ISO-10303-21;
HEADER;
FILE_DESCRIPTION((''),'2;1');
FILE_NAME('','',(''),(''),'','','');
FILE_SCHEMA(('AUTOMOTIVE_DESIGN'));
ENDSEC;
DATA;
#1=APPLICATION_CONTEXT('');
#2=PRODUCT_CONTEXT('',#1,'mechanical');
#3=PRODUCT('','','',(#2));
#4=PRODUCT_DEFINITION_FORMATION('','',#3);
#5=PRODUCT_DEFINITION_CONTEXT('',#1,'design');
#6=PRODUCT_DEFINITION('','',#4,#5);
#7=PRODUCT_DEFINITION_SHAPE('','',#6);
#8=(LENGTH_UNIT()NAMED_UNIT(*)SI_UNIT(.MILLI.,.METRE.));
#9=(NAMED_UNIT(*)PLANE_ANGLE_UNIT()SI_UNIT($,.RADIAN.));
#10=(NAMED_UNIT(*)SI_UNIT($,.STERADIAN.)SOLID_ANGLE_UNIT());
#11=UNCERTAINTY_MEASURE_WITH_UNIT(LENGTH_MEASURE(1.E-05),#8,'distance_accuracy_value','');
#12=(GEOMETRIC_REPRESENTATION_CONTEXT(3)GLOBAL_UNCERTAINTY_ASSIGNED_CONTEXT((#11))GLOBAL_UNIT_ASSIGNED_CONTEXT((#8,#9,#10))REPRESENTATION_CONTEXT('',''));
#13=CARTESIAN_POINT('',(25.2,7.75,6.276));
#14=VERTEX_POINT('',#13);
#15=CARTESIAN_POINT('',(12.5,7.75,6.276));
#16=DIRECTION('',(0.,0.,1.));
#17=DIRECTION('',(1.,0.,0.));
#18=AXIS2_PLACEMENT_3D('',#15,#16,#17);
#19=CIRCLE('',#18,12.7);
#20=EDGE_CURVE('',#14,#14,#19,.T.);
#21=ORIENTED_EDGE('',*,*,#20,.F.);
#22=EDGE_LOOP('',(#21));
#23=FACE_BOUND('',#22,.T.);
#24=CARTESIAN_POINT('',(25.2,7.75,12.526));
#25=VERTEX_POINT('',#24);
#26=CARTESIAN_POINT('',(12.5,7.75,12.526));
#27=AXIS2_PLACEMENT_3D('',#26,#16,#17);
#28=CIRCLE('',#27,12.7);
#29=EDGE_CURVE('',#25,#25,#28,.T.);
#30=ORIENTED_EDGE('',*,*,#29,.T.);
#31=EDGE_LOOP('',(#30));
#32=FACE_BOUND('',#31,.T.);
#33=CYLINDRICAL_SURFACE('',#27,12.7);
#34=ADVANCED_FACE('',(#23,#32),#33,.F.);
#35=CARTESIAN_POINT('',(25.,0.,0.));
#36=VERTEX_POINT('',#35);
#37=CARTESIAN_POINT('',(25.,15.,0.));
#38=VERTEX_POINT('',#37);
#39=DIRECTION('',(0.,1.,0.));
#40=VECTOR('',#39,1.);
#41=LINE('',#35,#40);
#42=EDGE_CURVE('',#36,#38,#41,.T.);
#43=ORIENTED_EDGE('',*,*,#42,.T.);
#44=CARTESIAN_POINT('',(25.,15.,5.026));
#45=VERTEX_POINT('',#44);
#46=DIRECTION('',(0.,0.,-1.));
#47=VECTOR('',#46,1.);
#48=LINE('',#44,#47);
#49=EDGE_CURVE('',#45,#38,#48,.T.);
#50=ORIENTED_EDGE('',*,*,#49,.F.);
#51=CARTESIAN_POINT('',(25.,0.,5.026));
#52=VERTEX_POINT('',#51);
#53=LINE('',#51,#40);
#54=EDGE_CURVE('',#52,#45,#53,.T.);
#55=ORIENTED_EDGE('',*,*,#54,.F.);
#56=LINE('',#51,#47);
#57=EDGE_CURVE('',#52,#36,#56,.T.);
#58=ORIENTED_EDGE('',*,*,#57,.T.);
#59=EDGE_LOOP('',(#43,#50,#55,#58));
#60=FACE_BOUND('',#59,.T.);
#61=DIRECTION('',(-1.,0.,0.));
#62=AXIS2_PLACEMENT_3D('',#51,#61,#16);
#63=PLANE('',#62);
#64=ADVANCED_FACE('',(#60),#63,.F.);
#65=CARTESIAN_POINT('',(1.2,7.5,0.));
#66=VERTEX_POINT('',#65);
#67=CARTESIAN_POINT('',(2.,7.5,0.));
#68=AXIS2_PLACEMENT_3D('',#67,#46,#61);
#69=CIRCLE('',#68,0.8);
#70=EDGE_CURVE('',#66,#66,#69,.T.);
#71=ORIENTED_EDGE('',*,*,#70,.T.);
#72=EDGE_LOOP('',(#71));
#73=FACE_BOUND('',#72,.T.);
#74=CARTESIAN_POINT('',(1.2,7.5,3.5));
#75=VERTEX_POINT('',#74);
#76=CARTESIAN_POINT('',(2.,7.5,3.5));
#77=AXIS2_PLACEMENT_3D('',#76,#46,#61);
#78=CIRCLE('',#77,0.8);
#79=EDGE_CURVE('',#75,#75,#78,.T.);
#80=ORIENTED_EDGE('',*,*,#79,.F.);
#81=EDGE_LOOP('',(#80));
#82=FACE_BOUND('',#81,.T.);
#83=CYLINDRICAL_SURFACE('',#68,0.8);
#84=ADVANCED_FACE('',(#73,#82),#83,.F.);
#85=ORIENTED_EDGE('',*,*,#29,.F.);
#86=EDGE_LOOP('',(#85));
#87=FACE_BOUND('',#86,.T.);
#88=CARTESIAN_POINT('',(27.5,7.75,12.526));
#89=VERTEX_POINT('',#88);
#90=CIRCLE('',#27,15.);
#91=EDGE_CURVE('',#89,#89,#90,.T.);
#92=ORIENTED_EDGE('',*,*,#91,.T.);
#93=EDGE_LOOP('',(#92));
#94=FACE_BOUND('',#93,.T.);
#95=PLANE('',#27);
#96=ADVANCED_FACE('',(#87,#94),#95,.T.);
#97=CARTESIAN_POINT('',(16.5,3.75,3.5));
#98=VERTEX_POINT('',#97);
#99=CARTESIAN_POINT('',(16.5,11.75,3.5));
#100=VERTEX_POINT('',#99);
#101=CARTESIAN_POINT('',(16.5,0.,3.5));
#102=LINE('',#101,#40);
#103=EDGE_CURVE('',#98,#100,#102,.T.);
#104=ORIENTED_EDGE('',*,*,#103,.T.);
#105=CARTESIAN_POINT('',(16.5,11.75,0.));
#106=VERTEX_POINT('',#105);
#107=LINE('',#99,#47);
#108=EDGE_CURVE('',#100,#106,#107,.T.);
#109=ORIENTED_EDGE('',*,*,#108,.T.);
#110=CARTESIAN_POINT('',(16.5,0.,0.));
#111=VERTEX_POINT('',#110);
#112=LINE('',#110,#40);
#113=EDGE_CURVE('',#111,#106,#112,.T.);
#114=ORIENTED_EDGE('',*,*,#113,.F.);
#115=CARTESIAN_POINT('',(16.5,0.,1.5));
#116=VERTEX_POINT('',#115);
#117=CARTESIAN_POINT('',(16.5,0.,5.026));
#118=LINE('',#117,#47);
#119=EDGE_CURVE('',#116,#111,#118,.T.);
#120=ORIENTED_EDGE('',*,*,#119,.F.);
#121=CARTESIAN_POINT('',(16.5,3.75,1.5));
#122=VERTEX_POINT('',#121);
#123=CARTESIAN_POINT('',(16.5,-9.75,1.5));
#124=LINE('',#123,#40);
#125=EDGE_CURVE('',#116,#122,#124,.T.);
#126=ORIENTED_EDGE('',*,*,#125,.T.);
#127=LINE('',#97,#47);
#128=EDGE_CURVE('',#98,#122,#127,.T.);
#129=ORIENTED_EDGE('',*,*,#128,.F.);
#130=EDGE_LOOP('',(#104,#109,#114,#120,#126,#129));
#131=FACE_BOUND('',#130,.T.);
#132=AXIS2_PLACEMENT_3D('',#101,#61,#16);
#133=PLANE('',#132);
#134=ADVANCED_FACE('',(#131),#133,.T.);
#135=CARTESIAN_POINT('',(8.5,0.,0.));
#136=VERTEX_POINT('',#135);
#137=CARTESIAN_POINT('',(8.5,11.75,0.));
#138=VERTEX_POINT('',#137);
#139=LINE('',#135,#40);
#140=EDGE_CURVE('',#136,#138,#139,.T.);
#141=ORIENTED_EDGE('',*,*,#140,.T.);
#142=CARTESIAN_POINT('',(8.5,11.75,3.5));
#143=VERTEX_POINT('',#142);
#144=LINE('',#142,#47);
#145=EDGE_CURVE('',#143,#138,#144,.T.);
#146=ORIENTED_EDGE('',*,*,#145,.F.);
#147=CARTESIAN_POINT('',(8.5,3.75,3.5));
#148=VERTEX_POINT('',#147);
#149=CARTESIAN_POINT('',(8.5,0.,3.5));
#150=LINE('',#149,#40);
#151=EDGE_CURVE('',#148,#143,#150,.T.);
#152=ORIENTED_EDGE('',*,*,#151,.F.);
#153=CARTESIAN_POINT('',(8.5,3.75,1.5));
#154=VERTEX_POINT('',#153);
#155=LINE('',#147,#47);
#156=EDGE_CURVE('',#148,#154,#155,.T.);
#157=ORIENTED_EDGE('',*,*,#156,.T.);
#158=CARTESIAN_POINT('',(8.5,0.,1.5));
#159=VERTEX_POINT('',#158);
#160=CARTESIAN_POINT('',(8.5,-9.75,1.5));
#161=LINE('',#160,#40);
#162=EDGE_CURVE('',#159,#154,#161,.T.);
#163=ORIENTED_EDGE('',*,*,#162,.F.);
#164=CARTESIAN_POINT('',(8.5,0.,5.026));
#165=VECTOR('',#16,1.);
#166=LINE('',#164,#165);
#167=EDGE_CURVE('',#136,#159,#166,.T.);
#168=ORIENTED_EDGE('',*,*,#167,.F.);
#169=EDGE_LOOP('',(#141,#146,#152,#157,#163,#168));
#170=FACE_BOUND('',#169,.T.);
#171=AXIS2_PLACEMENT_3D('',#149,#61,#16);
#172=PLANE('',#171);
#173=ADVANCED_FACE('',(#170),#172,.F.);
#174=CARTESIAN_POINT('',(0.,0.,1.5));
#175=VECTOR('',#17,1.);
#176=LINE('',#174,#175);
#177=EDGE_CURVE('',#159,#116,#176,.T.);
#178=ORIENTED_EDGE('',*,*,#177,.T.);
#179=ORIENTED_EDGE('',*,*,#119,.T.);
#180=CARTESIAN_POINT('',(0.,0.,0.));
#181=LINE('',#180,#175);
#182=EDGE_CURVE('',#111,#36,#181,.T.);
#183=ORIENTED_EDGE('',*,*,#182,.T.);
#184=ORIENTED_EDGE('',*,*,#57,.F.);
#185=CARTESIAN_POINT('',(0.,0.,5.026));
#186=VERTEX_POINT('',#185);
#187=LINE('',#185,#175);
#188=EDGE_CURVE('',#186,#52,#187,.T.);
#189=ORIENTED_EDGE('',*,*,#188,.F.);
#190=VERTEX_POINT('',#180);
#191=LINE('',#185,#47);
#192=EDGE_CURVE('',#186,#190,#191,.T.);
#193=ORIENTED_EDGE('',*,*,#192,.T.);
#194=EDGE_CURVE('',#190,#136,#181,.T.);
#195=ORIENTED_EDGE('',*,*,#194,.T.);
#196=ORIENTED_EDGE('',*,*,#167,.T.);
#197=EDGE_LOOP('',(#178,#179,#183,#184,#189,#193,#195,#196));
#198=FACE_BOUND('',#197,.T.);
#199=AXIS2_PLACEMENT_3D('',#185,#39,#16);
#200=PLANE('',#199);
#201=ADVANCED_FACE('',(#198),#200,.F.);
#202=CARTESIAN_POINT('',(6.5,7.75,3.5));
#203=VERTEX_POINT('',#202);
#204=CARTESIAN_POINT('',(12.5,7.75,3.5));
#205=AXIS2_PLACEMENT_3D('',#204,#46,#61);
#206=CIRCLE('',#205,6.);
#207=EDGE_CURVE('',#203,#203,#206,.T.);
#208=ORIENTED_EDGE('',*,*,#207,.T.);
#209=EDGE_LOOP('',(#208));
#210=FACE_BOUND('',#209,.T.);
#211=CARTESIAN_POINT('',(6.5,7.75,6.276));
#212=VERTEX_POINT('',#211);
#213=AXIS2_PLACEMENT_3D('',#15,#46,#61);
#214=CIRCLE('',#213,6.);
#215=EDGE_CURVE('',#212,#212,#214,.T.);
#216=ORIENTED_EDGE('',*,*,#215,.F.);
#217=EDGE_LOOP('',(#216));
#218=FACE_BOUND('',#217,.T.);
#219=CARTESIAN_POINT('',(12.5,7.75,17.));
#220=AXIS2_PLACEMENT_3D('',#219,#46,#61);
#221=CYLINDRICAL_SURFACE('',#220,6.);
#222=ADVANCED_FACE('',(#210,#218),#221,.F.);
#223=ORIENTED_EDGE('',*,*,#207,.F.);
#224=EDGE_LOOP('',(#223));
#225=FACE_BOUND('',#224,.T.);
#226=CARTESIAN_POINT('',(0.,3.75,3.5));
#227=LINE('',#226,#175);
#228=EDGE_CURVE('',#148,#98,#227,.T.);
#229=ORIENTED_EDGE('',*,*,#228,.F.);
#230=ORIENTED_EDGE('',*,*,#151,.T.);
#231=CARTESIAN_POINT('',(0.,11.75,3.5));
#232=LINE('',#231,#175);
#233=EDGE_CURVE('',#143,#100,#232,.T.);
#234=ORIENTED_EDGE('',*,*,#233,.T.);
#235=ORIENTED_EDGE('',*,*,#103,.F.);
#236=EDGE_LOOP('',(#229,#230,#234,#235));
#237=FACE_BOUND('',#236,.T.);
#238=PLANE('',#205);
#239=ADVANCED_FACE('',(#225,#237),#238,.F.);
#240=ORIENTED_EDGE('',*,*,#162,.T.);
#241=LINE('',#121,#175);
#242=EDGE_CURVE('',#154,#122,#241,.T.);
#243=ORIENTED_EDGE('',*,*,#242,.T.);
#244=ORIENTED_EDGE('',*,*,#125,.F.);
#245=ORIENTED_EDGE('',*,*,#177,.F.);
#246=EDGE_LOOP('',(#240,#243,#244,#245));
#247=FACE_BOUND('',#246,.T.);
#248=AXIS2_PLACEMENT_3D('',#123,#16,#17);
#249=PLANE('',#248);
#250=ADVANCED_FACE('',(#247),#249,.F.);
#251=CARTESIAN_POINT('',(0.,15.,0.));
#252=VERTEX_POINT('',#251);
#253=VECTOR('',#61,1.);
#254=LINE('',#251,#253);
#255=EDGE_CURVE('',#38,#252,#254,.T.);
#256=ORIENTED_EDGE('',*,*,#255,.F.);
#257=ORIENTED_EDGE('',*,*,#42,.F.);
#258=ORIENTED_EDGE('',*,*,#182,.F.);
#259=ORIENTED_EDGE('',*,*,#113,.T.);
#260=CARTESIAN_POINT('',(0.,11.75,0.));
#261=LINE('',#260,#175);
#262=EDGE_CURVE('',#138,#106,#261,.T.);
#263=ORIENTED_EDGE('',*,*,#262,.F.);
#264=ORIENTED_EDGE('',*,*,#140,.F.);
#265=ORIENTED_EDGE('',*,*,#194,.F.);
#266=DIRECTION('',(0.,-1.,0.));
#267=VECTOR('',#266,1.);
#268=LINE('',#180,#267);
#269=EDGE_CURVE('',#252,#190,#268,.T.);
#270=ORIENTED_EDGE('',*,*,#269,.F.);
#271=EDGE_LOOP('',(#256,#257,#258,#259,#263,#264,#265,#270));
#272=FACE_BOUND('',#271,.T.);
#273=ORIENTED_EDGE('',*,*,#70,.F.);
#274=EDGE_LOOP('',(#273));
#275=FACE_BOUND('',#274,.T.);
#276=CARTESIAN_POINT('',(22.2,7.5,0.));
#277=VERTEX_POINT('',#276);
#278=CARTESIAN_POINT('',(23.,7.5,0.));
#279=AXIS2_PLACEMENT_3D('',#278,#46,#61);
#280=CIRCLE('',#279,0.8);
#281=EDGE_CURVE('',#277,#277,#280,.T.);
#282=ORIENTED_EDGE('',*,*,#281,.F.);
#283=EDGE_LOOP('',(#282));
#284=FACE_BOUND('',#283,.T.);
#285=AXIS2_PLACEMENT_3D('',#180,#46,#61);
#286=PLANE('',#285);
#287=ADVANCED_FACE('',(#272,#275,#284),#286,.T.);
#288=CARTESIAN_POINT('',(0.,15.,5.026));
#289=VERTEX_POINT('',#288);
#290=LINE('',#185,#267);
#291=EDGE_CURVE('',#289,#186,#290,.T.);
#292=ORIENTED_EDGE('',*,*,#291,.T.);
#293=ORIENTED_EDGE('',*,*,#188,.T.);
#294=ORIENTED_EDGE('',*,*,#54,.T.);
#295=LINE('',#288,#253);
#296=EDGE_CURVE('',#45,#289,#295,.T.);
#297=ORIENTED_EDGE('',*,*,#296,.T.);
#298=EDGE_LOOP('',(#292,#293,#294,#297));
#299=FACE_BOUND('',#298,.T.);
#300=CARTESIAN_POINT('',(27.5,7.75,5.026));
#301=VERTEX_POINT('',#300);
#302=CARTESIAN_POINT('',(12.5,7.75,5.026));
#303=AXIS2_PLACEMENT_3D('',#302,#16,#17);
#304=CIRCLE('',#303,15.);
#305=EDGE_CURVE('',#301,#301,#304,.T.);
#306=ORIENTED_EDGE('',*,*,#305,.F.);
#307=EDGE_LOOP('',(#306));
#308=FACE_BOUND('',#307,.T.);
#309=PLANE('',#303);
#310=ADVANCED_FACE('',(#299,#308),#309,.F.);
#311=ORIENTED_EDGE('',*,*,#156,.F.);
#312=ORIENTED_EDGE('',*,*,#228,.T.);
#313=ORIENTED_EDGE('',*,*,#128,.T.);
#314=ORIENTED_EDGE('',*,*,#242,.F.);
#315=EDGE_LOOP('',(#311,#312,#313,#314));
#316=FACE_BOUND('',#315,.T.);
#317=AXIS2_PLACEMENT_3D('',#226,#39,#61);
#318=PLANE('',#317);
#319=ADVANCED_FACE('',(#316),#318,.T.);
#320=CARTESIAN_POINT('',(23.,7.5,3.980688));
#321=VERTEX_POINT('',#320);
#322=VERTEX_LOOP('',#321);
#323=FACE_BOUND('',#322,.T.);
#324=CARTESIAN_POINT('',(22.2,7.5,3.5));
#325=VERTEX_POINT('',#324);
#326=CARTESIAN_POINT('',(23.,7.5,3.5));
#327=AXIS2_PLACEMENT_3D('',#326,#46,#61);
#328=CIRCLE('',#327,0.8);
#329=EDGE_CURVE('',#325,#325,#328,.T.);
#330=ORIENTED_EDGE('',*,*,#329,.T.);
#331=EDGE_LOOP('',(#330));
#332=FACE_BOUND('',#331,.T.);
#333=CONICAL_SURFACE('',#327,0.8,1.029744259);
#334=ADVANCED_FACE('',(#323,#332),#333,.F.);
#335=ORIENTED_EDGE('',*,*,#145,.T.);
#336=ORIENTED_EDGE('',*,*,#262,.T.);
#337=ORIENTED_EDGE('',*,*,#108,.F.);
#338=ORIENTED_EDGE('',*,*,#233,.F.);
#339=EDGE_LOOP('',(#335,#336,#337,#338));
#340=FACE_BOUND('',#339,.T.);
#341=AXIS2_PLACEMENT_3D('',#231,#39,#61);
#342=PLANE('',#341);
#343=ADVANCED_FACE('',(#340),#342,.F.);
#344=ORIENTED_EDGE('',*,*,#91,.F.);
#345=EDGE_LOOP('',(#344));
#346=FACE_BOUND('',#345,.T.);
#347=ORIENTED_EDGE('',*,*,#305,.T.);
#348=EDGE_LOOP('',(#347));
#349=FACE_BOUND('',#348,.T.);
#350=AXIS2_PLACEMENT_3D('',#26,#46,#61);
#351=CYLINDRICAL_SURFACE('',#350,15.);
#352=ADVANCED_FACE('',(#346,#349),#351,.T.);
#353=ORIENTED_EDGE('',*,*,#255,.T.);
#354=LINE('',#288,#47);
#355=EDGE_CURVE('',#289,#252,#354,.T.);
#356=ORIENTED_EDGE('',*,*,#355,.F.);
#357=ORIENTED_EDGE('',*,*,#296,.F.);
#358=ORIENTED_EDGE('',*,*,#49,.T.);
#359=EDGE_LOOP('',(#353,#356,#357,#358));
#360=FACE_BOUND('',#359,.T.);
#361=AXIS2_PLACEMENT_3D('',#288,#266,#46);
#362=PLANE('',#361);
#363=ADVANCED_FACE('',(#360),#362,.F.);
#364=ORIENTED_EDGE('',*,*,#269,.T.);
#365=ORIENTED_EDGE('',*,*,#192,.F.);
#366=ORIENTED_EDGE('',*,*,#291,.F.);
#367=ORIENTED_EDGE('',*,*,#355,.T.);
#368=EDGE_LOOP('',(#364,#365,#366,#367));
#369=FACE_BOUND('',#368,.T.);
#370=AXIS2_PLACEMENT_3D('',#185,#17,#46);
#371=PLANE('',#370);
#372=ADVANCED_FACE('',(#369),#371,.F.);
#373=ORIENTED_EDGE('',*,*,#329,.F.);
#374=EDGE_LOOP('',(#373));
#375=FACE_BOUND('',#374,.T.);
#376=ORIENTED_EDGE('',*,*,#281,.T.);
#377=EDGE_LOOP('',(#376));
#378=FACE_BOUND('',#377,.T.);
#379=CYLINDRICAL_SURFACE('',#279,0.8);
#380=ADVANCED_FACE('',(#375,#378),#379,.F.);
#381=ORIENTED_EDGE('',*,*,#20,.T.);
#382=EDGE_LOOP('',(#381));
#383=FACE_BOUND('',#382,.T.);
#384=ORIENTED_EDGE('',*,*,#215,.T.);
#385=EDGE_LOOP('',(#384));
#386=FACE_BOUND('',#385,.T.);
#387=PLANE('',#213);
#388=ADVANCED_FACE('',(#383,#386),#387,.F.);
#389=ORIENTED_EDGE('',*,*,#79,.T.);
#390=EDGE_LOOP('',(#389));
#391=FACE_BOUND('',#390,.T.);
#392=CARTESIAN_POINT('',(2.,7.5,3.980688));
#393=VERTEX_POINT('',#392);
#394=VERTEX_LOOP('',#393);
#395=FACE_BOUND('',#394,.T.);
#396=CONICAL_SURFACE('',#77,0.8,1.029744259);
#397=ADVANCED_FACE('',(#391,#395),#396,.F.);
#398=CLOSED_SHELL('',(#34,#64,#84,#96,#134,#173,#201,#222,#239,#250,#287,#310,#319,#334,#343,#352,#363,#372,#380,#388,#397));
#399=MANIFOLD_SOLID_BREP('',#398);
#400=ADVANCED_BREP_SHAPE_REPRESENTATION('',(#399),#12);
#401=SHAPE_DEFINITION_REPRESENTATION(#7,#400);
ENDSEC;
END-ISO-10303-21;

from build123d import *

# Parameters (mm, degrees)
SKETCH1_W                     = 25
SKETCH1_H                     = 15
BOSS_EXTRUDE1_DEPTH           = 5.026
M2_TAPPED_HOLE1_D             = 1.6
M2_TAPPED_HOLE1_DEPTH         = 3.5
M2_TAPPED_HOLE1_TIP           = 0.480688495
SKETCH5_R                     = 15
BOSS_EXTRUDE2_DEPTH           = 7.5
SKETCH6_R                     = 12.25
CUT_EXTRUDE1_DEPTH            = 5.25
F_1_1_8_12_TAPPED_HOLE2_D     = 25.4
F_1_1_8_12_TAPPED_HOLE2_DEPTH = 6.25
CUT_EXTRUDE2_DEPTH            = 3.5
SKETCH14_W                    = 8
SKETCH14_H                    = 1.5
CUT_EXTRUDE3_DEPTH            = 13.5
SKETCH15_R                    = 6
CUT_EXTRUDE4_DEPTH            = 13.5


with BuildPart() as part:
    # Sketch1 → Boss-Extrude1 (new body)
    with BuildSketch(Plane.XY):
        with Locations((12.5, 7.5)):
            Rectangle(SKETCH1_W, SKETCH1_H)
    extrude(amount=BOSS_EXTRUDE1_DEPTH)

    # M2 Tapped Hole1
    with Locations(Plane(origin=(0, 0, 0), x_dir=(-1, 0, 0), z_dir=(0, 0, -1))):
        with Locations((-23, 7.5), (-2, 7.5)):
            Hole(M2_TAPPED_HOLE1_D / 2, depth=M2_TAPPED_HOLE1_DEPTH)
            with Locations((0, 0, -(M2_TAPPED_HOLE1_DEPTH + M2_TAPPED_HOLE1_TIP / 2))):  # 118° drill point
                Cone(0, M2_TAPPED_HOLE1_D / 2, M2_TAPPED_HOLE1_TIP, mode=Mode.SUBTRACT)

    # Sketch5 → Boss-Extrude2 (add)
    with BuildSketch(Plane.XY.offset(5.026)):
        with Locations((12.5, 7.75)):
            Circle(SKETCH5_R)
    extrude(amount=BOSS_EXTRUDE2_DEPTH)

    # Sketch6 → Cut-Extrude1 (cut)
    with BuildSketch(Plane.XY.offset(12.526)):
        with Locations((12.5, 7.75)):
            Circle(SKETCH6_R)
    extrude(amount=-CUT_EXTRUDE1_DEPTH, mode=Mode.SUBTRACT)

    # 1-1/8-12 Tapped Hole2
    with Locations(Plane.XY.offset(12.526)):
        with Locations((12.5, 7.75)):
            Hole(F_1_1_8_12_TAPPED_HOLE2_D / 2, depth=F_1_1_8_12_TAPPED_HOLE2_DEPTH)

    # Sketch13 → Cut-Extrude2 (cut)
    with BuildSketch(Plane(origin=(0, 0, 0), x_dir=(-1, 0, 0), z_dir=(0, 0, -1))):
        Polygon((-12.5, 3.75), (-12.5, 7.5), (-12.5, 7.75), (-12.5, 11.75), (-16.5, 11.75), (-16.5, 3.75), align=None)
        Polygon((-12.5, 7.75), (-12.5, 7.5), (-12.5, 3.75), (-8.5, 3.75), (-8.5, 11.75), (-12.5, 11.75), align=None)
    extrude(amount=-CUT_EXTRUDE2_DEPTH, mode=Mode.SUBTRACT)

    # Sketch14 → Cut-Extrude3 (cut)
    with BuildSketch(Plane(origin=(0, 3.75, 0), x_dir=(1, 0, 0), z_dir=(0, 1, 0))):
        with Locations((12.5, -0.75)):
            Rectangle(SKETCH14_W, SKETCH14_H)
    extrude(amount=-CUT_EXTRUDE3_DEPTH, mode=Mode.SUBTRACT)

    # Sketch15 → Cut-Extrude4 (cut)
    with BuildSketch(Plane(origin=(0, 0, 3.5), x_dir=(-1, 0, 0), z_dir=(0, 0, -1))):
        with Locations((-12.5, 7.75)):
            Circle(SKETCH15_R)
    extrude(amount=-CUT_EXTRUDE4_DEPTH, mode=Mode.SUBTRACT)


solid = part.part
